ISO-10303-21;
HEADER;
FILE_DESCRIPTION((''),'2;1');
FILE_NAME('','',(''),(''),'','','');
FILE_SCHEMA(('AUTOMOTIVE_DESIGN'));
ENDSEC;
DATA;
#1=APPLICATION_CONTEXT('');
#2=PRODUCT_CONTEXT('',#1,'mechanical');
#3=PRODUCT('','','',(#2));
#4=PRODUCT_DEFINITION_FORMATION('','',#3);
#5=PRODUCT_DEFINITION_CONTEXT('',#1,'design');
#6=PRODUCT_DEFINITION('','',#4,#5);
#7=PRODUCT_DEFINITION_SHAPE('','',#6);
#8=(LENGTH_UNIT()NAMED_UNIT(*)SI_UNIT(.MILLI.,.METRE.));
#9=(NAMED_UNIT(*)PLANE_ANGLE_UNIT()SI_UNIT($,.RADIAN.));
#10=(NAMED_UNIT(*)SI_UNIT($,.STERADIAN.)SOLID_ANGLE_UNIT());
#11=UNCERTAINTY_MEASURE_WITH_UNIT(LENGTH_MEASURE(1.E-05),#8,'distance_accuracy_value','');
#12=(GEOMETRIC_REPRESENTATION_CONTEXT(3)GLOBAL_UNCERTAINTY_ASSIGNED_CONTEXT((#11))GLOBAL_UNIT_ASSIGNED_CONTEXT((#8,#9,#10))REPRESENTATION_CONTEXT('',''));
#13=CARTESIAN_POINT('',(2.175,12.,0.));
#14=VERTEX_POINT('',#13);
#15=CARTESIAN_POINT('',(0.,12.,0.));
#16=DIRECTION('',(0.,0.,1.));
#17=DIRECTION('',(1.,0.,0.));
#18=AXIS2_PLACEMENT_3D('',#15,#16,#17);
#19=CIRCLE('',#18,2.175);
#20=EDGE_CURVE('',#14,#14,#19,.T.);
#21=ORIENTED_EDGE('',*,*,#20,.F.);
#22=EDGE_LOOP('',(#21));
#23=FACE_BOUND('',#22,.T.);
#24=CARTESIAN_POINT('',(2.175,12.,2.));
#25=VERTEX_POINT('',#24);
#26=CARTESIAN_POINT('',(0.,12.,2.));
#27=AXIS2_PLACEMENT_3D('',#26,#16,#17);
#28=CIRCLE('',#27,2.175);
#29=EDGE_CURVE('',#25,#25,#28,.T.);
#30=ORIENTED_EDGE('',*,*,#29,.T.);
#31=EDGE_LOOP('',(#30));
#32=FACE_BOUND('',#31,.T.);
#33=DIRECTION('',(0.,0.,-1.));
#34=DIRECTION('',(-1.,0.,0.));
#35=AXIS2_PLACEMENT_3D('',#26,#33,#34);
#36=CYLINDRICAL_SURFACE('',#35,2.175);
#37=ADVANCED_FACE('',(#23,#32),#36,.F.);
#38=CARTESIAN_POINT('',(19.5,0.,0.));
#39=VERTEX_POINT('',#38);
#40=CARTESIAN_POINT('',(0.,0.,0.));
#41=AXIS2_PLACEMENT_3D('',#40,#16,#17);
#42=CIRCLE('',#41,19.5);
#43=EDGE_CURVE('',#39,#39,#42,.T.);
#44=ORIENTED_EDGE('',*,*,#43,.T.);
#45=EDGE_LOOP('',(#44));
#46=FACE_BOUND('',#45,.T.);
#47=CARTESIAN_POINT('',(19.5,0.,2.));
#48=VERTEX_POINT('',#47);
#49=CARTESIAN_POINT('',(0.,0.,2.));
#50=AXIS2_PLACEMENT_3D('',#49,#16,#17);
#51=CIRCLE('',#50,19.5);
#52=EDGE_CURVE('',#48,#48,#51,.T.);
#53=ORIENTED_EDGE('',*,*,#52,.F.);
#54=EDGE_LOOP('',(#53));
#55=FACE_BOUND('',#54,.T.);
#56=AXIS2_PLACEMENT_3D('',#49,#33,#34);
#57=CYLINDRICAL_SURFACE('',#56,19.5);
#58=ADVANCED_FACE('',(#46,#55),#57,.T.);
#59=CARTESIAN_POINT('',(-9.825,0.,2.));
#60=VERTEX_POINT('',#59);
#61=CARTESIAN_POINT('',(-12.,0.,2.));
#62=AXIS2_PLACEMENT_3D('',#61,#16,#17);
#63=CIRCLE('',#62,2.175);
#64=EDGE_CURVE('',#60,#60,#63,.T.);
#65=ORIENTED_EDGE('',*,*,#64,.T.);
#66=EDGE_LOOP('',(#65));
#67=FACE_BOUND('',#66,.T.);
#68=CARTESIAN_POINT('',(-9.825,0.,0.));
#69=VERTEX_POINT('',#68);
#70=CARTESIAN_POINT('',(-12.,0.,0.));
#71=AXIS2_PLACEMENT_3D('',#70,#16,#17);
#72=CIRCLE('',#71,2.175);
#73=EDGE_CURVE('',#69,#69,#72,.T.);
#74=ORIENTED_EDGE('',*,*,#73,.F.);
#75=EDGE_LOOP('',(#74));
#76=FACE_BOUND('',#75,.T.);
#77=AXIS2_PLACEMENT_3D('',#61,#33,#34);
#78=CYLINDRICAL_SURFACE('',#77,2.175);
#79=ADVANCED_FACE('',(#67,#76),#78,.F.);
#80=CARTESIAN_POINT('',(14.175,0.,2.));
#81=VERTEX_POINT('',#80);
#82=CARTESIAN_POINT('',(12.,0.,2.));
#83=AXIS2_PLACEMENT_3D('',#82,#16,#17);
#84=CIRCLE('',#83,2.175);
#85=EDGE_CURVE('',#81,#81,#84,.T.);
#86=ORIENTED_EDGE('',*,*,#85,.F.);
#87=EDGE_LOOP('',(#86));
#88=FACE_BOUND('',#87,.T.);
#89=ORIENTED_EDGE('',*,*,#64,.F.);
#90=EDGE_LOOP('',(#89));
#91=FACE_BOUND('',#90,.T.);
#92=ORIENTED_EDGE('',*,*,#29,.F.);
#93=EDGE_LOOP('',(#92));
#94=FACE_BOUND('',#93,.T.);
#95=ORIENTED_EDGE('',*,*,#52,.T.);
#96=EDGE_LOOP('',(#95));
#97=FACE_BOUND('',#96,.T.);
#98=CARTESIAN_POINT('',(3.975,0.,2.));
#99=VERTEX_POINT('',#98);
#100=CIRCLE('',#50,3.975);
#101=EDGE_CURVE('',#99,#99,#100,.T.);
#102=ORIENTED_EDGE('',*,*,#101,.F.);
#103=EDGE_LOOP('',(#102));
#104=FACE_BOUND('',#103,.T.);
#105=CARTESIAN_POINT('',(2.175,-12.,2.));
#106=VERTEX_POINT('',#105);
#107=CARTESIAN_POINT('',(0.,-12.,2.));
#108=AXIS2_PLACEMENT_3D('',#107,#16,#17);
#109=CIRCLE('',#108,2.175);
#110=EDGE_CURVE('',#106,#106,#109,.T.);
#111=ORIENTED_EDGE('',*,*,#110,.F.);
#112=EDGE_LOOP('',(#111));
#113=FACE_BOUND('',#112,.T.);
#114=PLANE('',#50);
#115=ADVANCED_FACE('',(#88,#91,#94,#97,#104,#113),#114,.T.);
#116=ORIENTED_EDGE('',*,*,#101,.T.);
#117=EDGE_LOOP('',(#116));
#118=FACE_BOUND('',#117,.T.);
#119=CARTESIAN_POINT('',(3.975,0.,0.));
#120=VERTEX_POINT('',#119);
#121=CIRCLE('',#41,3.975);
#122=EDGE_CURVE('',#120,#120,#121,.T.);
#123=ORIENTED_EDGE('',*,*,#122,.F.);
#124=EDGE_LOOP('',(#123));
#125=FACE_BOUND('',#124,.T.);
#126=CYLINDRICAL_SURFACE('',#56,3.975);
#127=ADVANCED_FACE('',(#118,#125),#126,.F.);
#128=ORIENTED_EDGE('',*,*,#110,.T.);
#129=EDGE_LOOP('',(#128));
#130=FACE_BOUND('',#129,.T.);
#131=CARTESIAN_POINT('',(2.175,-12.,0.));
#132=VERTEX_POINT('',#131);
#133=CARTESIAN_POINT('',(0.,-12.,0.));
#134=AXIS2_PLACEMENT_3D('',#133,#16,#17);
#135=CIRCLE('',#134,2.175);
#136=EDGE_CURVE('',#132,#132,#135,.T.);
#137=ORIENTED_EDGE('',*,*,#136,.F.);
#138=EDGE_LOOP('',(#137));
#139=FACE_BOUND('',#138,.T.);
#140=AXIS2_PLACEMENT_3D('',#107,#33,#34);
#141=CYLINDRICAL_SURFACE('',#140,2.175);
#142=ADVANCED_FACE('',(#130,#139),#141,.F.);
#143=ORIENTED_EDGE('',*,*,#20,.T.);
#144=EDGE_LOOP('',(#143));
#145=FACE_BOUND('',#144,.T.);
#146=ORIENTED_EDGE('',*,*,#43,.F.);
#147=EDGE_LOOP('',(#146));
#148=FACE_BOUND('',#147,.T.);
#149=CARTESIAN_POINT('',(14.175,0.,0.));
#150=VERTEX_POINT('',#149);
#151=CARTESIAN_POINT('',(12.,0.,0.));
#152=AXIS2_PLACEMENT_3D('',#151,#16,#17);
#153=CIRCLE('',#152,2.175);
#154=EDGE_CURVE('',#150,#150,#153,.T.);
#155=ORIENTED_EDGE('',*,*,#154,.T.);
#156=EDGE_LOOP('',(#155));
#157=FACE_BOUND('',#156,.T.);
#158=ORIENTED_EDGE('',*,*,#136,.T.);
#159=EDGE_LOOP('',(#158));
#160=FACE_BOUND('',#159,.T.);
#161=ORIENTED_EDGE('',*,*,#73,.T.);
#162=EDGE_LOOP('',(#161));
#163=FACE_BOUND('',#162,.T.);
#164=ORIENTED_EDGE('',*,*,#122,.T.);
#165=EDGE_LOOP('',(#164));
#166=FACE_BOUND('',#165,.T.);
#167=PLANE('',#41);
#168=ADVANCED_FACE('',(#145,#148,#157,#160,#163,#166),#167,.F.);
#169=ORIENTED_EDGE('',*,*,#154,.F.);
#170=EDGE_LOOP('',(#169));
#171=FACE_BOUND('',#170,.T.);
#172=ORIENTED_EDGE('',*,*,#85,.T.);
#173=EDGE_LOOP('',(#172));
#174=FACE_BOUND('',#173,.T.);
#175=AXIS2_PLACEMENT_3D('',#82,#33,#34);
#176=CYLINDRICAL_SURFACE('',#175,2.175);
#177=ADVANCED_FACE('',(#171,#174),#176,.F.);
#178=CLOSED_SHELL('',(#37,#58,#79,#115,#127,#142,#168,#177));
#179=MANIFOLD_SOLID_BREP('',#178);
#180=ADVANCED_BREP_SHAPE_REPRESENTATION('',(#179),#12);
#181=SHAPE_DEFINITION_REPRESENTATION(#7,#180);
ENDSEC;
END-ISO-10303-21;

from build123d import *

# Parameters (mm, degrees)
SKETCH1_R           = 19.5
SKETCH1_R_2         = 2.175
SKETCH1_R_3         = 3.975
BOSS_EXTRUDE1_DEPTH = 2


with BuildPart() as part:
    # Sketch1 → Boss-Extrude1 (new body)
    with BuildSketch(Plane.XY):
        Circle(SKETCH1_R)
        with Locations((12, 0)):
            Circle(SKETCH1_R_2, mode=Mode.SUBTRACT)
        with Locations((0, 12)):
            Circle(SKETCH1_R_2, mode=Mode.SUBTRACT)
        with Locations((-12, 0)):
            Circle(SKETCH1_R_2, mode=Mode.SUBTRACT)
        with Locations((0, -12)):
            Circle(SKETCH1_R_2, mode=Mode.SUBTRACT)
        Circle(SKETCH1_R_3, mode=Mode.SUBTRACT)
    extrude(amount=BOSS_EXTRUDE1_DEPTH)


solid = part.part
